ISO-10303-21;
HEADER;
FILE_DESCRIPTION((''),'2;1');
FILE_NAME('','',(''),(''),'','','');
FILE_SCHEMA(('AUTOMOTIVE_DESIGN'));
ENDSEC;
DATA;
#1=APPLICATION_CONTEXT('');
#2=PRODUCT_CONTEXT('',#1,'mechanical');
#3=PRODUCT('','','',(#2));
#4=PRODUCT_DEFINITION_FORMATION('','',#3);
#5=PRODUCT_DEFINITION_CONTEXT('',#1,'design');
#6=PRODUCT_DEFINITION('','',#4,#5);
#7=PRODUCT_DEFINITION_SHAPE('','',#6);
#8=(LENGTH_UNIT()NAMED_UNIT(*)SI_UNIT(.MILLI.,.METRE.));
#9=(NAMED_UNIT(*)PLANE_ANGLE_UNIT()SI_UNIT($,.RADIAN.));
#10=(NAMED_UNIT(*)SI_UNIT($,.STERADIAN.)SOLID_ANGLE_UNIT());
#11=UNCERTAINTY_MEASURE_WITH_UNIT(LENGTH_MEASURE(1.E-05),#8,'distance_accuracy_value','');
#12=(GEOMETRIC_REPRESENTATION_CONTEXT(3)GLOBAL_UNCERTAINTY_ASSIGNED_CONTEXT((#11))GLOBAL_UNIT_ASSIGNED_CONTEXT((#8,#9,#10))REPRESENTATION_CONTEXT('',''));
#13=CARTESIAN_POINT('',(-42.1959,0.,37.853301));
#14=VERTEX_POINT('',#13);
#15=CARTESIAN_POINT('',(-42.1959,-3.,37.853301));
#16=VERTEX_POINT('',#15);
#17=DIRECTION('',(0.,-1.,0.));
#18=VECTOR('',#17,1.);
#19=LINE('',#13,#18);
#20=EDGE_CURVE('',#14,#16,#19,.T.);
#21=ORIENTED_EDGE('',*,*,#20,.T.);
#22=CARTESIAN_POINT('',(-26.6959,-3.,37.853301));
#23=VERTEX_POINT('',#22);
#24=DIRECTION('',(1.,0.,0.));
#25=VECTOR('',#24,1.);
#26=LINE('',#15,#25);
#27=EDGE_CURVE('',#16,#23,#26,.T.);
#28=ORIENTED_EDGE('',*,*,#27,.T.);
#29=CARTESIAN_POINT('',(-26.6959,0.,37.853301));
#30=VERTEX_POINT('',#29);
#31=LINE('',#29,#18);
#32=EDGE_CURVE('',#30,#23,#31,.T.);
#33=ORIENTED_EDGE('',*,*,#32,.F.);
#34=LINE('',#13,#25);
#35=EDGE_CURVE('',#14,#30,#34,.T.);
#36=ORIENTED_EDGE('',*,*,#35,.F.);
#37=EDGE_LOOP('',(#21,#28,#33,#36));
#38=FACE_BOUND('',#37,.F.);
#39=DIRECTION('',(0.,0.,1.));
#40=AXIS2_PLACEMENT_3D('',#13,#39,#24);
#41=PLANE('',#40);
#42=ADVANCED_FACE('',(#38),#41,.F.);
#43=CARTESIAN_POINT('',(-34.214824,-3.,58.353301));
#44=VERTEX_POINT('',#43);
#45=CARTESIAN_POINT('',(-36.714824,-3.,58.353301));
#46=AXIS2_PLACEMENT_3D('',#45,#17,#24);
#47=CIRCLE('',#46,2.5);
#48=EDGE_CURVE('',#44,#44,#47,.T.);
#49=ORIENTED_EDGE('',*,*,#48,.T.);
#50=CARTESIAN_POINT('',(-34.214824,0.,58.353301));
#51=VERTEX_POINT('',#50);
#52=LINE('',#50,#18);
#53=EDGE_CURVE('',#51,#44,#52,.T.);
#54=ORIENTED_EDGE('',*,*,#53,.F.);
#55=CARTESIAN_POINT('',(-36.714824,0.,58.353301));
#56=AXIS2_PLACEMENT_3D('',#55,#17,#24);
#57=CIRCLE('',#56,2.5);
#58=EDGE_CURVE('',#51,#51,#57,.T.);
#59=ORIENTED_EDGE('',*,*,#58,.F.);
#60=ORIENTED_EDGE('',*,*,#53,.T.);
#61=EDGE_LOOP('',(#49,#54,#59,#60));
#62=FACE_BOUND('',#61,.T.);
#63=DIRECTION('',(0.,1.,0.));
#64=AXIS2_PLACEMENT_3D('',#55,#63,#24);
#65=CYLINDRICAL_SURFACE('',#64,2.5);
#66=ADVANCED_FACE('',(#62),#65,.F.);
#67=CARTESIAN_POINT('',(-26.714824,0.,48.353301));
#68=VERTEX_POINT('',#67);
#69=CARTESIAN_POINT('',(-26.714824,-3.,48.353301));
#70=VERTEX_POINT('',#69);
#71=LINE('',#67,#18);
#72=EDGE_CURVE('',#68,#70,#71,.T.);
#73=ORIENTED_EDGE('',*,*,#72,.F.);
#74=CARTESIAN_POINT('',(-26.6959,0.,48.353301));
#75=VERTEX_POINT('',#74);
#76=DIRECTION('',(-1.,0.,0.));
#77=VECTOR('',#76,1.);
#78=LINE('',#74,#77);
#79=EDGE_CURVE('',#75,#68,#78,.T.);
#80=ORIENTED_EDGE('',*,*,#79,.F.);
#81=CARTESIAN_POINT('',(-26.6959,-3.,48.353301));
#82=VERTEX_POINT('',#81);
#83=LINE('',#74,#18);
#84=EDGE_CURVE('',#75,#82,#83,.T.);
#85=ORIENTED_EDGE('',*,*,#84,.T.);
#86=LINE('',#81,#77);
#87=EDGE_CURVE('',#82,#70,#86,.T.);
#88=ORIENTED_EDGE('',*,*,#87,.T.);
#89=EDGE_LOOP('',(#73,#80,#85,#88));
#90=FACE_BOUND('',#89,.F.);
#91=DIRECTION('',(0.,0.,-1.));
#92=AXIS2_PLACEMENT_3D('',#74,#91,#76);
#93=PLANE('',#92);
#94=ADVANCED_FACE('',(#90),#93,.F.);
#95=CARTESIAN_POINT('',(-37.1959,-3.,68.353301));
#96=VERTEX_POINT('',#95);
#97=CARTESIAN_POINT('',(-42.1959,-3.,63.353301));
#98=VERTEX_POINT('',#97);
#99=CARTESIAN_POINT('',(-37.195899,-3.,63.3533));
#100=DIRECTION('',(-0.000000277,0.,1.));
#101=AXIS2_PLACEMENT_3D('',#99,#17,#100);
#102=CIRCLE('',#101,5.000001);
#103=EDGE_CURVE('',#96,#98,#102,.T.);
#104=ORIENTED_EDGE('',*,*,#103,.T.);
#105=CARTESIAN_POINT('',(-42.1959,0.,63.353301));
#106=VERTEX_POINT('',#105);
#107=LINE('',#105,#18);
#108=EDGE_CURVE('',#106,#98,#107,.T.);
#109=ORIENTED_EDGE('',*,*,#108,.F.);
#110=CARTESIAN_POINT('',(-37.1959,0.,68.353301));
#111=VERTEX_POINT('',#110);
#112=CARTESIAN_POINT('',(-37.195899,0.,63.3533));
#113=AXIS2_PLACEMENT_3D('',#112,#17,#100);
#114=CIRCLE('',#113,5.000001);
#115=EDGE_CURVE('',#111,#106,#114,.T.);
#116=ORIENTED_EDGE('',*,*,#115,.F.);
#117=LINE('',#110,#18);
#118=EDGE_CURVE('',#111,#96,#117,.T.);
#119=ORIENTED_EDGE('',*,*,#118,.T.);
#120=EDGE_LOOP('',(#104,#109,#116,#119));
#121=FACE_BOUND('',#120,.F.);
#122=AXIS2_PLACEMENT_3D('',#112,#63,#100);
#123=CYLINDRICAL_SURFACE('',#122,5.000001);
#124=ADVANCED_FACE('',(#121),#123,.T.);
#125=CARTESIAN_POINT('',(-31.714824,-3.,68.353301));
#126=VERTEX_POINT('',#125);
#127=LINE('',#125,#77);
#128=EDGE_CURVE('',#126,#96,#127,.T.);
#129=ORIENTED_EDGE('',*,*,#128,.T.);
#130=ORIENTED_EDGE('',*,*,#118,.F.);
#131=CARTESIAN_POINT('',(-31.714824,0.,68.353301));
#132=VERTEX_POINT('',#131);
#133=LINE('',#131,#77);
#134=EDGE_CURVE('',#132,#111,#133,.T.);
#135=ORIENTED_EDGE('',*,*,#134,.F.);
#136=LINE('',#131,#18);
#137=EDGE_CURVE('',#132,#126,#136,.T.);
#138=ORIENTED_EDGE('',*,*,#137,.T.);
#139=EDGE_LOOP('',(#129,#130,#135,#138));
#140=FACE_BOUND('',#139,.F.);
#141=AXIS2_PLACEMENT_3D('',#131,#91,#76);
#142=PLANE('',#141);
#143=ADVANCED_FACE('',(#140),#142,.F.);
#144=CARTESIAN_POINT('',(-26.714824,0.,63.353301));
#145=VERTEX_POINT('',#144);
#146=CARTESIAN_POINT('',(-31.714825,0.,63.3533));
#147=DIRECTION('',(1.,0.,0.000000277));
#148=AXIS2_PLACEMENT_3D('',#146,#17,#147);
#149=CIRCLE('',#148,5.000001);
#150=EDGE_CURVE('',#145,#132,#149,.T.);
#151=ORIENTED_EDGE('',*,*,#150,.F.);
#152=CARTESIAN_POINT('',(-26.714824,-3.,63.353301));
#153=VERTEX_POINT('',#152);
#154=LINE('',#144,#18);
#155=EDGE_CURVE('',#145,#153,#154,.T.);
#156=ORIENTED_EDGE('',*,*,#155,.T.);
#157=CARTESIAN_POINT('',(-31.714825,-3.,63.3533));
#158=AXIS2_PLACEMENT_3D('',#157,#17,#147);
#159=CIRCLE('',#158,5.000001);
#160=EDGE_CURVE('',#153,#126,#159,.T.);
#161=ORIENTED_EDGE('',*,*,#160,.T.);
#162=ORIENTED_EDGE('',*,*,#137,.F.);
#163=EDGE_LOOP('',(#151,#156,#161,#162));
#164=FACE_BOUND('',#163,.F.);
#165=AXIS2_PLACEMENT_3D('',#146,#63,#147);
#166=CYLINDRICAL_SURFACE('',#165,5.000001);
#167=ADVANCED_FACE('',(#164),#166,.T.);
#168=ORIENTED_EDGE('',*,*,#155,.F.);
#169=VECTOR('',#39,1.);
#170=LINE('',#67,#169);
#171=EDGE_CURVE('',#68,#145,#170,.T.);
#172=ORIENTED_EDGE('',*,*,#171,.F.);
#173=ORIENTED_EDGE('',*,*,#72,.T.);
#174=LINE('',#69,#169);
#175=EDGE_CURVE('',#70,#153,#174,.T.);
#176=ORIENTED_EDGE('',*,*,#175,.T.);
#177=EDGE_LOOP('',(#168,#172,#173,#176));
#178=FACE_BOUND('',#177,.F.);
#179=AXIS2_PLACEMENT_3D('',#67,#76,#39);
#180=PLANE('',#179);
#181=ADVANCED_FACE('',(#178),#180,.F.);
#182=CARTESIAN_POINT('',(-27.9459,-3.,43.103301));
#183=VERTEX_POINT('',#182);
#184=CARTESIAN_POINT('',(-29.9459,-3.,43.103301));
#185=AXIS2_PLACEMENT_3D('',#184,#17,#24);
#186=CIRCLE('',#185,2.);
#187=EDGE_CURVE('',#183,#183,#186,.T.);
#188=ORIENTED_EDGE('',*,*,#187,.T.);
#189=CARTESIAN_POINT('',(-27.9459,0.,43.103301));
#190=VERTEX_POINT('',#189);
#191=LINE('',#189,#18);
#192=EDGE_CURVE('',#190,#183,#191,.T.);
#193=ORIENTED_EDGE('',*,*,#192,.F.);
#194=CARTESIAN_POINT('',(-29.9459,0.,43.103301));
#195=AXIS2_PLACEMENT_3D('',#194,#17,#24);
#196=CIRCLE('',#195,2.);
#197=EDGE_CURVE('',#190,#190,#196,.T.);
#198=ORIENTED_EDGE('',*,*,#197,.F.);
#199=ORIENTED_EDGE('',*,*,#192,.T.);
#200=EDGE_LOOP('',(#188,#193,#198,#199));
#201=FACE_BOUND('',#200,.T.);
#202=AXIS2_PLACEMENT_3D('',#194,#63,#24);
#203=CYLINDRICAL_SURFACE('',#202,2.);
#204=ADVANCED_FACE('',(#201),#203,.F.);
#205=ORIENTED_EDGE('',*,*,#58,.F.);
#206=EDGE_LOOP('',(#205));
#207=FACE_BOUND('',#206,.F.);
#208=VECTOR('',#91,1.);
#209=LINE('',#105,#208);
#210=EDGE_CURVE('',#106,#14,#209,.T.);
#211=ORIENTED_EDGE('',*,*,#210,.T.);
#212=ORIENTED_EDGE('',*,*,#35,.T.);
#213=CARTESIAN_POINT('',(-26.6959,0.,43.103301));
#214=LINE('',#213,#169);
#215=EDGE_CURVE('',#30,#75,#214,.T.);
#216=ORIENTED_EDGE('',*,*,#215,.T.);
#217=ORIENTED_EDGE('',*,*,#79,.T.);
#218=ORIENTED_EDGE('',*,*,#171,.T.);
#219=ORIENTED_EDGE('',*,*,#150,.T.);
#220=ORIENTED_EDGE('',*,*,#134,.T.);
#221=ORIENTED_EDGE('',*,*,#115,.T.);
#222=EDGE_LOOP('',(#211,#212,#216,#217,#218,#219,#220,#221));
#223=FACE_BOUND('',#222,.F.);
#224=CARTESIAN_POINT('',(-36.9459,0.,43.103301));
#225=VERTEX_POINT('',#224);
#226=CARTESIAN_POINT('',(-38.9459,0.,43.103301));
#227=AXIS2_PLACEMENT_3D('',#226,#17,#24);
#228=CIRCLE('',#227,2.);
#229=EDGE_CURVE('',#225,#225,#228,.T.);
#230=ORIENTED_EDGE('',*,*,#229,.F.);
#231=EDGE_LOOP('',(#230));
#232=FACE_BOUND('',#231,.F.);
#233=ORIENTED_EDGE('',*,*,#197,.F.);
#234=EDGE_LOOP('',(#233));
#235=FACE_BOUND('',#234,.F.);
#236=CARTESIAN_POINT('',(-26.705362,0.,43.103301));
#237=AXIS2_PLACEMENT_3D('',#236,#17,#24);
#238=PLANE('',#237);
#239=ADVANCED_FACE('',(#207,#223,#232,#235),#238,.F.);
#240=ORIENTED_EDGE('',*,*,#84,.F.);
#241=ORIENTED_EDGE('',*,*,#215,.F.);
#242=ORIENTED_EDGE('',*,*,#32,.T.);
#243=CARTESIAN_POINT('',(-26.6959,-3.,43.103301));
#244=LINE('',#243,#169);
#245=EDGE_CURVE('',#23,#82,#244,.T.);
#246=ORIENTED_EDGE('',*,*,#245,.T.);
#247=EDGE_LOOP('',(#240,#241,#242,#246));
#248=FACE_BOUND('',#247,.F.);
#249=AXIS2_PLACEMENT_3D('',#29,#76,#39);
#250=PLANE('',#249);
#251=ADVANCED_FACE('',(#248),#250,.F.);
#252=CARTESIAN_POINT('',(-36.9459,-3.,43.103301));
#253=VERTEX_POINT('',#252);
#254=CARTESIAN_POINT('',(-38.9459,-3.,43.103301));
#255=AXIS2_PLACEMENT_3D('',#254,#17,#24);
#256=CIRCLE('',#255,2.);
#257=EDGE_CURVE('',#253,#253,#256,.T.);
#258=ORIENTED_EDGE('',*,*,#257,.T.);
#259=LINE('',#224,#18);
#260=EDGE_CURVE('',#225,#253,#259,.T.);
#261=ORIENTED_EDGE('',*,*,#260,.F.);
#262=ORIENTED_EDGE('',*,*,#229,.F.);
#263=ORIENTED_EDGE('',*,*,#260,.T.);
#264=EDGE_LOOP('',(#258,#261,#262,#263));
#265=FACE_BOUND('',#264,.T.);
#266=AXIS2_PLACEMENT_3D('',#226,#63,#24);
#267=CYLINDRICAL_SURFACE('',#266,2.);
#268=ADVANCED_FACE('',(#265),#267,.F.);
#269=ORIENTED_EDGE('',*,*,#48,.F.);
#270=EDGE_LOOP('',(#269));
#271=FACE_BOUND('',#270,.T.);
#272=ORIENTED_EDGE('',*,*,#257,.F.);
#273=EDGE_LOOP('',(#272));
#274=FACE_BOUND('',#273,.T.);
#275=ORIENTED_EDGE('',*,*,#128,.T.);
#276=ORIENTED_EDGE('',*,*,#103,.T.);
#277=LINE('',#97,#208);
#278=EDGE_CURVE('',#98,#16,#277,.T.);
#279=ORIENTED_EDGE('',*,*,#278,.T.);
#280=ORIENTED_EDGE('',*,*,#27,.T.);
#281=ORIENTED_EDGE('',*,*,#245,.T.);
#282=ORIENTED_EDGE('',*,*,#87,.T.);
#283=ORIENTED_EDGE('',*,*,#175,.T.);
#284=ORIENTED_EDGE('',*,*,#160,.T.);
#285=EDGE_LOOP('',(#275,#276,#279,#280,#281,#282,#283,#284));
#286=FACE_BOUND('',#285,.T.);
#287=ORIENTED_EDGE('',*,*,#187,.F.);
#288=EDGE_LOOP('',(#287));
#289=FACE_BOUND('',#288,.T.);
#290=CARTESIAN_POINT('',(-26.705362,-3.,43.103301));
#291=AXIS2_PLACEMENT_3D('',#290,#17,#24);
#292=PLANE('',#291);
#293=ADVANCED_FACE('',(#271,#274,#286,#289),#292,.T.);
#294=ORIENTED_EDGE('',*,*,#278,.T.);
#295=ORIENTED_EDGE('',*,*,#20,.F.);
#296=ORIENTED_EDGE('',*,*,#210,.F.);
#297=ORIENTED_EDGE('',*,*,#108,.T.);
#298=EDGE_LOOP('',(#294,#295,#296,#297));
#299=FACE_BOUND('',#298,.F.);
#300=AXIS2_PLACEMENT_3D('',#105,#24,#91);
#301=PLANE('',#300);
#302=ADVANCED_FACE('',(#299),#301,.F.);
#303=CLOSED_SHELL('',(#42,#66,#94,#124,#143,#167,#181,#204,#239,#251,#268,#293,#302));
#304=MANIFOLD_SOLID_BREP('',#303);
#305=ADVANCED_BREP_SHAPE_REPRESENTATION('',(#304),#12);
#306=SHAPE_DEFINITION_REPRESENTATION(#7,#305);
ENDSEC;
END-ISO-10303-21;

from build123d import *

# Parameters (mm, degrees)
F0_W     = 0.018924
F0_H     = 10.5
F0_R     = 2
F0_R_2   = 2.5
F1_DEPTH = 3


with BuildPart() as f1:
    # F0 (on Front) → F1 (new body)
    with BuildSketch(Plane.XZ):
        with Locations((-26.705362, 43.103301)):
            Rectangle(F0_W, F0_H)
        with BuildLine():
            Line((-26.714824, 37.853301), (-26.714824, 48.353301))
            Line((-26.714824, 48.353301), (-36.544182, 48.353301))
            ThreePointArc((-36.544182, 48.353301), (-40.513356, 46.970414), (-42.1959, 43.118692))
            Line((-42.1959, 43.118692), (-42.1959, 37.853301))
            Line((-42.1959, 37.853301), (-26.714824, 37.853301))
        make_face()
        with Locations((-38.9459, 43.103301)):
            Circle(F0_R, mode=Mode.SUBTRACT)
        with Locations((-29.9459, 43.103301)):
            Circle(F0_R, mode=Mode.SUBTRACT)
        with BuildLine():
            Line((-36.544182, 48.353301), (-26.714824, 48.353301))
            Line((-26.714824, 48.353301), (-26.714824, 63.353301))
            ThreePointArc((-26.714824, 63.353301), (-28.17929, 66.888834), (-31.714824, 68.353301))
            Line((-31.714824, 68.353301), (-37.1959, 68.353301))
            ThreePointArc((-37.1959, 68.353301), (-40.731434, 66.888834), (-42.1959, 63.353301))
            Line((-42.1959, 63.353301), (-42.1959, 43.118692))
            ThreePointArc((-42.1959, 43.118692), (-40.513356, 46.970414), (-36.544182, 48.353301))
        make_face()
        with Locations((-36.714824, 58.353301)):
            Circle(F0_R_2, mode=Mode.SUBTRACT)
    extrude(amount=F1_DEPTH)


solid = f1.part
